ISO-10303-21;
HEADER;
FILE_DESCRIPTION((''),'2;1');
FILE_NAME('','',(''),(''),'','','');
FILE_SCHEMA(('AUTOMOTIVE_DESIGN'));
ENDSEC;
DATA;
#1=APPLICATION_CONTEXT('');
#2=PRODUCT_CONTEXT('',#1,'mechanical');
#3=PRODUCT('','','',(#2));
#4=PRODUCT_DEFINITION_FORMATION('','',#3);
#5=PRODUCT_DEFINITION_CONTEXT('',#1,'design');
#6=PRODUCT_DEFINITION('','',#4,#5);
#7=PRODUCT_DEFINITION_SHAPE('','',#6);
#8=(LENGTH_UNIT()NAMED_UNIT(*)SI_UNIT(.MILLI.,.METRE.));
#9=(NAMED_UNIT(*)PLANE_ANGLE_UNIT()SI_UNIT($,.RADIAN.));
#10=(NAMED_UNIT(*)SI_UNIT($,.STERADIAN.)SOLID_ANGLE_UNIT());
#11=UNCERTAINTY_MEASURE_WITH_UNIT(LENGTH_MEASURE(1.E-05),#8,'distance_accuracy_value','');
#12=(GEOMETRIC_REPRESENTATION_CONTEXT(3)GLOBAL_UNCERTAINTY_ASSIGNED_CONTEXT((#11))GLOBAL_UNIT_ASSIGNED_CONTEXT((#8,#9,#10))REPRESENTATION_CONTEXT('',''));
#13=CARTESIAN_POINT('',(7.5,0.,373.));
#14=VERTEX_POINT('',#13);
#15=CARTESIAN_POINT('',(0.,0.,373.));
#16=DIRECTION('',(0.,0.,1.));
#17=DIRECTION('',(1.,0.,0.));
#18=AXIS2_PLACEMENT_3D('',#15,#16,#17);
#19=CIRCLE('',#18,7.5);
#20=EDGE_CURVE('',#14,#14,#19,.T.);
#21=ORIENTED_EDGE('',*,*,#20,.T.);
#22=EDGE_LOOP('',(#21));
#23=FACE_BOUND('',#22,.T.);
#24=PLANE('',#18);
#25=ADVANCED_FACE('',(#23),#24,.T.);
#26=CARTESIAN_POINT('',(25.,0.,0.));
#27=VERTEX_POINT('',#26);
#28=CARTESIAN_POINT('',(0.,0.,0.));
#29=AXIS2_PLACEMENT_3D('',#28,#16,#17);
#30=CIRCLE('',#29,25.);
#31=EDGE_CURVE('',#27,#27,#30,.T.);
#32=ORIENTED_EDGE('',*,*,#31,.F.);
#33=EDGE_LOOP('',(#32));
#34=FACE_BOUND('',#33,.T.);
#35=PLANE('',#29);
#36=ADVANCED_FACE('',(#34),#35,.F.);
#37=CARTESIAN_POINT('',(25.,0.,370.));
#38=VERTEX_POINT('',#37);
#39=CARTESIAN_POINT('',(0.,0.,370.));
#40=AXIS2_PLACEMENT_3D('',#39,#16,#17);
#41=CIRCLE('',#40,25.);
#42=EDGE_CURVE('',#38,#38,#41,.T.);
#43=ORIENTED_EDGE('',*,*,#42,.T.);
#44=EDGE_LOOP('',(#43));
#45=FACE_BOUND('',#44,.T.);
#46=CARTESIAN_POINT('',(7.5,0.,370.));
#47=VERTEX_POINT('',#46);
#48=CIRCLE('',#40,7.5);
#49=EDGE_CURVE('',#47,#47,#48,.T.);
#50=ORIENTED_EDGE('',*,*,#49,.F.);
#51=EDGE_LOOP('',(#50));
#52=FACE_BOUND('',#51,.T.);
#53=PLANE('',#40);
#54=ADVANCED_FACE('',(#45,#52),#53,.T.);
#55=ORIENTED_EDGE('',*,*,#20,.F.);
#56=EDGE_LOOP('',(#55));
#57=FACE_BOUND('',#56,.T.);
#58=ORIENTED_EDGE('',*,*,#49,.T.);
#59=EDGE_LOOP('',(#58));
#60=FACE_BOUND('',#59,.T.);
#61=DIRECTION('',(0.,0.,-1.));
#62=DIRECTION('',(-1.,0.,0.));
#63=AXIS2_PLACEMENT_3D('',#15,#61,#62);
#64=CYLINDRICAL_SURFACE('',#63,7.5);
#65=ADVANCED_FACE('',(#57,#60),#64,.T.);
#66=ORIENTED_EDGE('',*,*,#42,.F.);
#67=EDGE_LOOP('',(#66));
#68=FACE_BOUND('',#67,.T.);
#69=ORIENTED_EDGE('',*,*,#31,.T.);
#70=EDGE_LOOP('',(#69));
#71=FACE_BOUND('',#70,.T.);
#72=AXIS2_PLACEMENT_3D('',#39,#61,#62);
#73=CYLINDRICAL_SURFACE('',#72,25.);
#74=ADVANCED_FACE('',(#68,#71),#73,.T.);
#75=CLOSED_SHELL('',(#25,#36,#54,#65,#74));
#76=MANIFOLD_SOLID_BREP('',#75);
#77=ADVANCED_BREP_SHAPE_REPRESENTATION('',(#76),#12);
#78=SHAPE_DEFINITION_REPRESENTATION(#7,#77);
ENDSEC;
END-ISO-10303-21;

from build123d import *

# Parameters (mm, degrees)
SCHIZZO1_R                   = 25
ESTRUSIONE_ESTRUSIONE1_DEPTH = 370
SCHIZZO2_R                   = 7.5
ESTRUSIONE_ESTRUSIONE2_DEPTH = 3


with BuildPart() as part:
    # Schizzo1 → Estrusione-Estrusione1 (new body)
    with BuildSketch(Plane.XY):
        Circle(SCHIZZO1_R)
    extrude(amount=ESTRUSIONE_ESTRUSIONE1_DEPTH)

    # Schizzo2 → Estrusione-Estrusione2 (add)
    with BuildSketch(Plane.XY.offset(370)):
        Circle(SCHIZZO2_R)
    extrude(amount=ESTRUSIONE_ESTRUSIONE2_DEPTH)


solid = part.part
